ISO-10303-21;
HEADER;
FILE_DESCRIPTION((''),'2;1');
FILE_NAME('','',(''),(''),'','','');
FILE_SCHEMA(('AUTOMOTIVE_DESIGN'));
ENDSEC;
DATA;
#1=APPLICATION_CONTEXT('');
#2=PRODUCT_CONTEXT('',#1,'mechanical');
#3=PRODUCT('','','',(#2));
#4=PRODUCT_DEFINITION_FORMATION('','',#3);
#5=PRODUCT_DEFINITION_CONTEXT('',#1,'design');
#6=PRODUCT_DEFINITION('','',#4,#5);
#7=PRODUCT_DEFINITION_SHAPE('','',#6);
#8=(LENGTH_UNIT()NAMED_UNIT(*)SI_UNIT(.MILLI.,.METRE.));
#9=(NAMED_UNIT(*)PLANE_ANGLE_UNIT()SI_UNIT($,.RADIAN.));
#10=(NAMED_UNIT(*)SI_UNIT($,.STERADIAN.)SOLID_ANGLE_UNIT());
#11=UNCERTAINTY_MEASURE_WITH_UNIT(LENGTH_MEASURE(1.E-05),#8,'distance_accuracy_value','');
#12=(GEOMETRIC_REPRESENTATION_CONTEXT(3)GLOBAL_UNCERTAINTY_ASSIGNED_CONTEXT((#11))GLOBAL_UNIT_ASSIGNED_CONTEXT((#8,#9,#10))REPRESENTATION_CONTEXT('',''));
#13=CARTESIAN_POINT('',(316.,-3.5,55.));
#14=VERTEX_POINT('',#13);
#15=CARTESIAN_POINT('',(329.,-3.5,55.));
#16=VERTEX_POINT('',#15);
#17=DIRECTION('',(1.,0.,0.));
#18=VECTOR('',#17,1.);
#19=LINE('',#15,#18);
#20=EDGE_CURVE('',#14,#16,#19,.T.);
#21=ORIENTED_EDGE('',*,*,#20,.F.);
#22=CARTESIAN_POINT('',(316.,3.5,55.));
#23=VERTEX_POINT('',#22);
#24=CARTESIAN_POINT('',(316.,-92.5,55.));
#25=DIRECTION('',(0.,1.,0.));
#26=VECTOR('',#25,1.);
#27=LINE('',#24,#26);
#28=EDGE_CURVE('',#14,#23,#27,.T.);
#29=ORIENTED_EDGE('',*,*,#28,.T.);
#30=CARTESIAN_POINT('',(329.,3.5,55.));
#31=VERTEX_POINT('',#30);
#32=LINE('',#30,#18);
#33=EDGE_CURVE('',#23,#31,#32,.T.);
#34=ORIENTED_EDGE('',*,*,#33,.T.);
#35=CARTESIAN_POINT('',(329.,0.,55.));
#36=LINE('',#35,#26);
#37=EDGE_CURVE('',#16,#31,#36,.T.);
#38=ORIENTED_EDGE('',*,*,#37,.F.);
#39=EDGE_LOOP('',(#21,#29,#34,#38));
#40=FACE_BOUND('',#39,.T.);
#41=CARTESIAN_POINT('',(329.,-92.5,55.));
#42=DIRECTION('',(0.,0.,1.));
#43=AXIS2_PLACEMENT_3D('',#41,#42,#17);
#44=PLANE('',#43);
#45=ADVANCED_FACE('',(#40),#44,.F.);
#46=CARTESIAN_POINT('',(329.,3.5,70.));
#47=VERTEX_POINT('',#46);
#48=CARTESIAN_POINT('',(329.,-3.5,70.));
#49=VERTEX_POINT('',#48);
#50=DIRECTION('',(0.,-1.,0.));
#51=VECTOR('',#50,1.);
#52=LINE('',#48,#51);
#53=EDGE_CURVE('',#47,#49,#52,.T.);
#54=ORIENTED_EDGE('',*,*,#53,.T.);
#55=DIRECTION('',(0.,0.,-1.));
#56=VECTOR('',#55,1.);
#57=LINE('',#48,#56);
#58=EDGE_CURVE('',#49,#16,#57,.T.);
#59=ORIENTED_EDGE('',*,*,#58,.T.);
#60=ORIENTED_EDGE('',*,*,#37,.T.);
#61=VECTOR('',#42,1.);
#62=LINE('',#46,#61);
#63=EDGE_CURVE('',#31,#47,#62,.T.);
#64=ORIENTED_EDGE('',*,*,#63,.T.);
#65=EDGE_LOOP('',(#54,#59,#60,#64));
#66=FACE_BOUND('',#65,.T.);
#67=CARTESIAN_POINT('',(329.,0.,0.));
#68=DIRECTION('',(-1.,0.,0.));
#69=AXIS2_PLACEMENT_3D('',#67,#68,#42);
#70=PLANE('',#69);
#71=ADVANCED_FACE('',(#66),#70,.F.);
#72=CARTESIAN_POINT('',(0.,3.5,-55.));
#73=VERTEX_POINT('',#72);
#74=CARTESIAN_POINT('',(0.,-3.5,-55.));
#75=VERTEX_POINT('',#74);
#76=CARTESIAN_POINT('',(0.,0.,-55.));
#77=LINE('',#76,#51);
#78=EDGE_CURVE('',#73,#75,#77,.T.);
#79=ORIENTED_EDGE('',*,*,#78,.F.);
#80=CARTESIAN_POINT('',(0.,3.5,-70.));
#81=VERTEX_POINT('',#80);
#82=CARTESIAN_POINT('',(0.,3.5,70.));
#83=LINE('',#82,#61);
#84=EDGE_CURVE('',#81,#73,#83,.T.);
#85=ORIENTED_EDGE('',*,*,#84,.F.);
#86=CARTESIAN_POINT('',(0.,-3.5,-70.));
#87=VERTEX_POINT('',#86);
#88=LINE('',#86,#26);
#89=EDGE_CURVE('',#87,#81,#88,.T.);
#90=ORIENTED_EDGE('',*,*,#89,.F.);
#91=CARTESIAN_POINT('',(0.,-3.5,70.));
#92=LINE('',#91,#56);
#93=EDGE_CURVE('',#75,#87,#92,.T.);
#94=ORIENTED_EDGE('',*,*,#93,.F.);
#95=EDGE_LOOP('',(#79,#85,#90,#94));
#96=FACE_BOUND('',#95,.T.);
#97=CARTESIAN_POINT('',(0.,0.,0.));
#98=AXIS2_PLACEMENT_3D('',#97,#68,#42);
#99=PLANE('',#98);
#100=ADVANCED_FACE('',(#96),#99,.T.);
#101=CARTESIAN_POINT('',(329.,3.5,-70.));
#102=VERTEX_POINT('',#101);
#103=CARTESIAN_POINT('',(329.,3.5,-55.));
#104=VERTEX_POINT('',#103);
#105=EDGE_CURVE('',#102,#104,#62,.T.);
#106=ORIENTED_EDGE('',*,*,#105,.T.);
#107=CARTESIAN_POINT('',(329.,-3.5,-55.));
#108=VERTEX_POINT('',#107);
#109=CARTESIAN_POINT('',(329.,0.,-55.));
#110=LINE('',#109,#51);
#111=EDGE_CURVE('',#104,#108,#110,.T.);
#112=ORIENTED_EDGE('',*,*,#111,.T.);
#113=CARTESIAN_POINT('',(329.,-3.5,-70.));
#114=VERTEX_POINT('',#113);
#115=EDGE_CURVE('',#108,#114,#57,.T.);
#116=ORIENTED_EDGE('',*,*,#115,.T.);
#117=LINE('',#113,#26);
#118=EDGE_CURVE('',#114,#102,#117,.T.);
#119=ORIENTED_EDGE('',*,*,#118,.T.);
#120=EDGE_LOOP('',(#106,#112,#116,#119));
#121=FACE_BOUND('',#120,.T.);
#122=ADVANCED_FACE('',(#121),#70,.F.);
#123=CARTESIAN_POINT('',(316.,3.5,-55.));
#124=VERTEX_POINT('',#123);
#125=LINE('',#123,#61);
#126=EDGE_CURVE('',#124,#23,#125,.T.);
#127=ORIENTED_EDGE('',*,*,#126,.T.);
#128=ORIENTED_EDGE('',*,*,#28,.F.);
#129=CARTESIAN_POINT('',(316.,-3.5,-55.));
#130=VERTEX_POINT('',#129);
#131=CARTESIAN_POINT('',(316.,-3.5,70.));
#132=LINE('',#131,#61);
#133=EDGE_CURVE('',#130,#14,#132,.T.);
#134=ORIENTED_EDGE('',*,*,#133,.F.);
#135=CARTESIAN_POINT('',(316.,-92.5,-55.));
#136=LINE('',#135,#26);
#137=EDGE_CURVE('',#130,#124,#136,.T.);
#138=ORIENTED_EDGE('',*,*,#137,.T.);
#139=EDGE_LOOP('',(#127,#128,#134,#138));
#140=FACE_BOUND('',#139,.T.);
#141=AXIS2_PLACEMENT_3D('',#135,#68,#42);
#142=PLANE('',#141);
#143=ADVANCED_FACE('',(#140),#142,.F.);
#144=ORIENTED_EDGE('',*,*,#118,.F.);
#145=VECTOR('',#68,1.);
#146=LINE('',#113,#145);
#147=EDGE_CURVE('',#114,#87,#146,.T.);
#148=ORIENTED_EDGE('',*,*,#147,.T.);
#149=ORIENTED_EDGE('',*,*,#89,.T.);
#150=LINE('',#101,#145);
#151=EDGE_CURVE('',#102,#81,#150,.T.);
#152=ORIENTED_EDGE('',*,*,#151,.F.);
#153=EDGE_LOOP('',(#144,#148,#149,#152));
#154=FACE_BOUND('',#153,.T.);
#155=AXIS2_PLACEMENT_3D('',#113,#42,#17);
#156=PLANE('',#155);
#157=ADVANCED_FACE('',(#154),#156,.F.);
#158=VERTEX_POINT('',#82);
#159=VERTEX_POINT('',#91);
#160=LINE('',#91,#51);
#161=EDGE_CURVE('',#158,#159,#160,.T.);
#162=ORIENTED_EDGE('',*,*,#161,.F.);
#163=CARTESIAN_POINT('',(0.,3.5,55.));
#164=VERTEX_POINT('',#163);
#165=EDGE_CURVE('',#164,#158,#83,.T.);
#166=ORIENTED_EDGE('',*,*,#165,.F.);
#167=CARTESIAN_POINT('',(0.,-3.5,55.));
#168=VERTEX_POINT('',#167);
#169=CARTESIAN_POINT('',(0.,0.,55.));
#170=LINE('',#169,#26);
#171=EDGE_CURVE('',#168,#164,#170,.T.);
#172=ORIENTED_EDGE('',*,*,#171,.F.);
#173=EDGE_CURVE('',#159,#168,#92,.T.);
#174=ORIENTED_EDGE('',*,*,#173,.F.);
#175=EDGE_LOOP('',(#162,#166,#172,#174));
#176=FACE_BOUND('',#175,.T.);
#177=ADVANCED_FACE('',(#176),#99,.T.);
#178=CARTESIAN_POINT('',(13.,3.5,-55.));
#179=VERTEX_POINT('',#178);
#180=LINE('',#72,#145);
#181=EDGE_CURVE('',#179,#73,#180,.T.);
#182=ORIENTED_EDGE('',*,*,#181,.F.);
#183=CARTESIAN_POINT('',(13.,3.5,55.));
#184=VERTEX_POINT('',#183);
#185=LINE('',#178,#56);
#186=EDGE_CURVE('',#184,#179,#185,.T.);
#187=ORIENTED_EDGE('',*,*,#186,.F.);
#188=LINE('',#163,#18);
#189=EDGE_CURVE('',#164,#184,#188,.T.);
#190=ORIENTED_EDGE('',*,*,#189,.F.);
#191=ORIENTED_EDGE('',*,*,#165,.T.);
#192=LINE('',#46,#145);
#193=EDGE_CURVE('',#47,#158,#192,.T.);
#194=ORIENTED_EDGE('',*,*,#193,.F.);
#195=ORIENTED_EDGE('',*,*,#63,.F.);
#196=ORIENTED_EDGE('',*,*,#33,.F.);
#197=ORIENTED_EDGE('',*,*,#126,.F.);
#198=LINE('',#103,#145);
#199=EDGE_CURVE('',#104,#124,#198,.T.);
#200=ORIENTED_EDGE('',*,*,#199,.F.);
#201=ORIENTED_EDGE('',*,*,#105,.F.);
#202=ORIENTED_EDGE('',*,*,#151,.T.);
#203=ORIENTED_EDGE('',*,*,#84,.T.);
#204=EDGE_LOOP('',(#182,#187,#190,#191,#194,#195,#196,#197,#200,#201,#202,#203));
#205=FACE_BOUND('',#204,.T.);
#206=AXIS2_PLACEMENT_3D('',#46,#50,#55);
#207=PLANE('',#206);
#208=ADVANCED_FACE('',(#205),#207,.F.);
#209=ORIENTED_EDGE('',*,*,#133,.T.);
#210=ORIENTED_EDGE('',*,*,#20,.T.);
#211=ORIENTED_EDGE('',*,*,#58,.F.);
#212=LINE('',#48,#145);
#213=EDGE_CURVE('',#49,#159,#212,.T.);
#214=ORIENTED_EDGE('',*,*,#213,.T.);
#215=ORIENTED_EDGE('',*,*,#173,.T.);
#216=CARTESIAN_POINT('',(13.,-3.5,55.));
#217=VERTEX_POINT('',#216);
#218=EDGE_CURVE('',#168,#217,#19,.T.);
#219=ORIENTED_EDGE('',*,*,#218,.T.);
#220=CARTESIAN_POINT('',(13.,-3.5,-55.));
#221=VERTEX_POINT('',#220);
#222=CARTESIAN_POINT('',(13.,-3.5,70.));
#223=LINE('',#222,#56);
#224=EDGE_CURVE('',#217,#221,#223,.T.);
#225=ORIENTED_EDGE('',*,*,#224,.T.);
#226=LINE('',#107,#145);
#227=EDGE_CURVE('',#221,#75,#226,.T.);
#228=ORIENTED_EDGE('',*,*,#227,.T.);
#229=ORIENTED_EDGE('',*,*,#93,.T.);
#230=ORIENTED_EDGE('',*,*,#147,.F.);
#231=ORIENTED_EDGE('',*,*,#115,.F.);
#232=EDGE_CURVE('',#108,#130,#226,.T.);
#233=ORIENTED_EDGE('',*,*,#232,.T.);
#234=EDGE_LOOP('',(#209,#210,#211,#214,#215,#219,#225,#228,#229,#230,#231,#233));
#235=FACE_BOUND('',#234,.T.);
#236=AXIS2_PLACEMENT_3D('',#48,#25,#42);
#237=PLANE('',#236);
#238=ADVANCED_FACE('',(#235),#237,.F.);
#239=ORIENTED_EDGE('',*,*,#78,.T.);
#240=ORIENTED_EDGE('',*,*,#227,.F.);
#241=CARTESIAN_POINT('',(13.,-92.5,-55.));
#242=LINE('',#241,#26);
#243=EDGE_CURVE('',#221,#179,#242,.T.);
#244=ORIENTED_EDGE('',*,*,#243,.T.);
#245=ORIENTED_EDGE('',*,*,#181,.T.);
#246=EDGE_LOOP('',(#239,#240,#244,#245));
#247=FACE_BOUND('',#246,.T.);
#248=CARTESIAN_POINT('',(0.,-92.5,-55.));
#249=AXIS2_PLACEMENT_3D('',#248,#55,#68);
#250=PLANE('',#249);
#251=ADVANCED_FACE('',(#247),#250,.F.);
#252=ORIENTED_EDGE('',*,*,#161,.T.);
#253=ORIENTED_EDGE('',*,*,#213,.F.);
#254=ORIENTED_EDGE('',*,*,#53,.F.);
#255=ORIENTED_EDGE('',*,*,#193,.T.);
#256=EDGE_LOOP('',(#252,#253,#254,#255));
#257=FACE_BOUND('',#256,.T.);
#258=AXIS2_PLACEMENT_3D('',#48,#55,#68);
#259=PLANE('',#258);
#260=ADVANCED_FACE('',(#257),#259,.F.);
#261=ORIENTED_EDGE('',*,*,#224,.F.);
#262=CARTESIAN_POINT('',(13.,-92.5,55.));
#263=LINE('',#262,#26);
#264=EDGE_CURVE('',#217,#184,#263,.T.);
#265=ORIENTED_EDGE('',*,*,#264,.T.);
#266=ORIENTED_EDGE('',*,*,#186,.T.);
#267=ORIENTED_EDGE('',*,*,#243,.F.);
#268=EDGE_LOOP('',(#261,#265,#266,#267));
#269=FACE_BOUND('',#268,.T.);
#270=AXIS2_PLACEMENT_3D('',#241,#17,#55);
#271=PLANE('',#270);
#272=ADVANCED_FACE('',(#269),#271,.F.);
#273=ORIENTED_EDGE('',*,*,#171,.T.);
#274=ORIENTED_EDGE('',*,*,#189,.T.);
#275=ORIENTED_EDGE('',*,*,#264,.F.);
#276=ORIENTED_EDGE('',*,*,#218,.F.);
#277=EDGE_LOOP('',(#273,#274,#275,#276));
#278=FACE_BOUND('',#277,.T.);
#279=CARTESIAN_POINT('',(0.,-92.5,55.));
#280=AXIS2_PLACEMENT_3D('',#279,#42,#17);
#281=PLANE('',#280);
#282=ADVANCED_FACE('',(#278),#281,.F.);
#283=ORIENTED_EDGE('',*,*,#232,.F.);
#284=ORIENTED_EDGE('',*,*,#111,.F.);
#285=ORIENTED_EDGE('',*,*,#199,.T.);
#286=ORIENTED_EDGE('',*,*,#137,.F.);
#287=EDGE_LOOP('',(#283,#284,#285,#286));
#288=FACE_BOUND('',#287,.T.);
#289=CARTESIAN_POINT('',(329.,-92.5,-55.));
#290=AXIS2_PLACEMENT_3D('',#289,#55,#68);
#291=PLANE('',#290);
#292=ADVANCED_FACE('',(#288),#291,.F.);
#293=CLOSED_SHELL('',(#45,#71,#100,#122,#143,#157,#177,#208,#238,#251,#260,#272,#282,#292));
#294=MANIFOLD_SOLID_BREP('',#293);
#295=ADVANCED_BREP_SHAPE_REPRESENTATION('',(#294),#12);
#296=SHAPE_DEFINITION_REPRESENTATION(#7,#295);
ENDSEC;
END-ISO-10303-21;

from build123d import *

# Parameters (mm, degrees)
ESQUISSE1_W             = 140
ESQUISSE1_H             = 7
BOSS_EXTRU_1_DEPTH      = 329
ESQUISSE2_W             = 303
ESQUISSE2_H             = 244.18
BOSS_EXTRU_2_DEPTH      = 7
ESQUISSE3_W             = 13
ESQUISSE3_H             = 110
ENL_V_MAT_EXTRU_1_DEPTH = 96
ENL_V_MAT_EXTRU_2_DEPTH = 96


with BuildPart() as part:
    # Esquisse1 → Boss.-Extru.1 (new body)
    with BuildSketch(Plane(origin=(0, 0, 0), x_dir=(0, 0, -1), z_dir=(1, 0, 0))):
        Rectangle(ESQUISSE1_W, ESQUISSE1_H)
    extrude(amount=BOSS_EXTRU_1_DEPTH)

    # Esquisse2 → Boss.-Extru.2 (add)
    with BuildSketch(Plane(origin=(0, 3.5, 0), x_dir=(1, 0, 0), z_dir=(0, 1, 0))):
        with Locations((164.5, 0)):
            Rectangle(ESQUISSE2_W, ESQUISSE2_H)
    extrude(amount=-BOSS_EXTRU_2_DEPTH)

    # Esquisse3 → Enlèv. mat.-Extru.1 (cut)
    with BuildSketch(Plane(origin=(0, 3.5, 0), x_dir=(1, 0, 0), z_dir=(0, 1, 0))):
        with Locations((6.5, 0)):
            Rectangle(ESQUISSE3_W, ESQUISSE3_H)
        with Locations((322.5, 0)):
            Rectangle(ESQUISSE3_W, ESQUISSE3_H)
    extrude(amount=-ENL_V_MAT_EXTRU_1_DEPTH, mode=Mode.SUBTRACT)

    # Esquisse4 → Enlèv. mat.-Extru.2 (cut)
    with BuildSketch(Plane(origin=(0, 3.5, 0), x_dir=(1, 0, 0), z_dir=(0, 1, 0))):
        Polygon((13, 70), (316, 70), (318.765325252, 132.447128924), (0, 132.447128924), align=None)
        Polygon((13, -70), (316, -70), (321.257609936, -130.666925578), (0, -142.41626766), align=None)
    extrude(amount=-ENL_V_MAT_EXTRU_2_DEPTH, mode=Mode.SUBTRACT)


solid = part.part
